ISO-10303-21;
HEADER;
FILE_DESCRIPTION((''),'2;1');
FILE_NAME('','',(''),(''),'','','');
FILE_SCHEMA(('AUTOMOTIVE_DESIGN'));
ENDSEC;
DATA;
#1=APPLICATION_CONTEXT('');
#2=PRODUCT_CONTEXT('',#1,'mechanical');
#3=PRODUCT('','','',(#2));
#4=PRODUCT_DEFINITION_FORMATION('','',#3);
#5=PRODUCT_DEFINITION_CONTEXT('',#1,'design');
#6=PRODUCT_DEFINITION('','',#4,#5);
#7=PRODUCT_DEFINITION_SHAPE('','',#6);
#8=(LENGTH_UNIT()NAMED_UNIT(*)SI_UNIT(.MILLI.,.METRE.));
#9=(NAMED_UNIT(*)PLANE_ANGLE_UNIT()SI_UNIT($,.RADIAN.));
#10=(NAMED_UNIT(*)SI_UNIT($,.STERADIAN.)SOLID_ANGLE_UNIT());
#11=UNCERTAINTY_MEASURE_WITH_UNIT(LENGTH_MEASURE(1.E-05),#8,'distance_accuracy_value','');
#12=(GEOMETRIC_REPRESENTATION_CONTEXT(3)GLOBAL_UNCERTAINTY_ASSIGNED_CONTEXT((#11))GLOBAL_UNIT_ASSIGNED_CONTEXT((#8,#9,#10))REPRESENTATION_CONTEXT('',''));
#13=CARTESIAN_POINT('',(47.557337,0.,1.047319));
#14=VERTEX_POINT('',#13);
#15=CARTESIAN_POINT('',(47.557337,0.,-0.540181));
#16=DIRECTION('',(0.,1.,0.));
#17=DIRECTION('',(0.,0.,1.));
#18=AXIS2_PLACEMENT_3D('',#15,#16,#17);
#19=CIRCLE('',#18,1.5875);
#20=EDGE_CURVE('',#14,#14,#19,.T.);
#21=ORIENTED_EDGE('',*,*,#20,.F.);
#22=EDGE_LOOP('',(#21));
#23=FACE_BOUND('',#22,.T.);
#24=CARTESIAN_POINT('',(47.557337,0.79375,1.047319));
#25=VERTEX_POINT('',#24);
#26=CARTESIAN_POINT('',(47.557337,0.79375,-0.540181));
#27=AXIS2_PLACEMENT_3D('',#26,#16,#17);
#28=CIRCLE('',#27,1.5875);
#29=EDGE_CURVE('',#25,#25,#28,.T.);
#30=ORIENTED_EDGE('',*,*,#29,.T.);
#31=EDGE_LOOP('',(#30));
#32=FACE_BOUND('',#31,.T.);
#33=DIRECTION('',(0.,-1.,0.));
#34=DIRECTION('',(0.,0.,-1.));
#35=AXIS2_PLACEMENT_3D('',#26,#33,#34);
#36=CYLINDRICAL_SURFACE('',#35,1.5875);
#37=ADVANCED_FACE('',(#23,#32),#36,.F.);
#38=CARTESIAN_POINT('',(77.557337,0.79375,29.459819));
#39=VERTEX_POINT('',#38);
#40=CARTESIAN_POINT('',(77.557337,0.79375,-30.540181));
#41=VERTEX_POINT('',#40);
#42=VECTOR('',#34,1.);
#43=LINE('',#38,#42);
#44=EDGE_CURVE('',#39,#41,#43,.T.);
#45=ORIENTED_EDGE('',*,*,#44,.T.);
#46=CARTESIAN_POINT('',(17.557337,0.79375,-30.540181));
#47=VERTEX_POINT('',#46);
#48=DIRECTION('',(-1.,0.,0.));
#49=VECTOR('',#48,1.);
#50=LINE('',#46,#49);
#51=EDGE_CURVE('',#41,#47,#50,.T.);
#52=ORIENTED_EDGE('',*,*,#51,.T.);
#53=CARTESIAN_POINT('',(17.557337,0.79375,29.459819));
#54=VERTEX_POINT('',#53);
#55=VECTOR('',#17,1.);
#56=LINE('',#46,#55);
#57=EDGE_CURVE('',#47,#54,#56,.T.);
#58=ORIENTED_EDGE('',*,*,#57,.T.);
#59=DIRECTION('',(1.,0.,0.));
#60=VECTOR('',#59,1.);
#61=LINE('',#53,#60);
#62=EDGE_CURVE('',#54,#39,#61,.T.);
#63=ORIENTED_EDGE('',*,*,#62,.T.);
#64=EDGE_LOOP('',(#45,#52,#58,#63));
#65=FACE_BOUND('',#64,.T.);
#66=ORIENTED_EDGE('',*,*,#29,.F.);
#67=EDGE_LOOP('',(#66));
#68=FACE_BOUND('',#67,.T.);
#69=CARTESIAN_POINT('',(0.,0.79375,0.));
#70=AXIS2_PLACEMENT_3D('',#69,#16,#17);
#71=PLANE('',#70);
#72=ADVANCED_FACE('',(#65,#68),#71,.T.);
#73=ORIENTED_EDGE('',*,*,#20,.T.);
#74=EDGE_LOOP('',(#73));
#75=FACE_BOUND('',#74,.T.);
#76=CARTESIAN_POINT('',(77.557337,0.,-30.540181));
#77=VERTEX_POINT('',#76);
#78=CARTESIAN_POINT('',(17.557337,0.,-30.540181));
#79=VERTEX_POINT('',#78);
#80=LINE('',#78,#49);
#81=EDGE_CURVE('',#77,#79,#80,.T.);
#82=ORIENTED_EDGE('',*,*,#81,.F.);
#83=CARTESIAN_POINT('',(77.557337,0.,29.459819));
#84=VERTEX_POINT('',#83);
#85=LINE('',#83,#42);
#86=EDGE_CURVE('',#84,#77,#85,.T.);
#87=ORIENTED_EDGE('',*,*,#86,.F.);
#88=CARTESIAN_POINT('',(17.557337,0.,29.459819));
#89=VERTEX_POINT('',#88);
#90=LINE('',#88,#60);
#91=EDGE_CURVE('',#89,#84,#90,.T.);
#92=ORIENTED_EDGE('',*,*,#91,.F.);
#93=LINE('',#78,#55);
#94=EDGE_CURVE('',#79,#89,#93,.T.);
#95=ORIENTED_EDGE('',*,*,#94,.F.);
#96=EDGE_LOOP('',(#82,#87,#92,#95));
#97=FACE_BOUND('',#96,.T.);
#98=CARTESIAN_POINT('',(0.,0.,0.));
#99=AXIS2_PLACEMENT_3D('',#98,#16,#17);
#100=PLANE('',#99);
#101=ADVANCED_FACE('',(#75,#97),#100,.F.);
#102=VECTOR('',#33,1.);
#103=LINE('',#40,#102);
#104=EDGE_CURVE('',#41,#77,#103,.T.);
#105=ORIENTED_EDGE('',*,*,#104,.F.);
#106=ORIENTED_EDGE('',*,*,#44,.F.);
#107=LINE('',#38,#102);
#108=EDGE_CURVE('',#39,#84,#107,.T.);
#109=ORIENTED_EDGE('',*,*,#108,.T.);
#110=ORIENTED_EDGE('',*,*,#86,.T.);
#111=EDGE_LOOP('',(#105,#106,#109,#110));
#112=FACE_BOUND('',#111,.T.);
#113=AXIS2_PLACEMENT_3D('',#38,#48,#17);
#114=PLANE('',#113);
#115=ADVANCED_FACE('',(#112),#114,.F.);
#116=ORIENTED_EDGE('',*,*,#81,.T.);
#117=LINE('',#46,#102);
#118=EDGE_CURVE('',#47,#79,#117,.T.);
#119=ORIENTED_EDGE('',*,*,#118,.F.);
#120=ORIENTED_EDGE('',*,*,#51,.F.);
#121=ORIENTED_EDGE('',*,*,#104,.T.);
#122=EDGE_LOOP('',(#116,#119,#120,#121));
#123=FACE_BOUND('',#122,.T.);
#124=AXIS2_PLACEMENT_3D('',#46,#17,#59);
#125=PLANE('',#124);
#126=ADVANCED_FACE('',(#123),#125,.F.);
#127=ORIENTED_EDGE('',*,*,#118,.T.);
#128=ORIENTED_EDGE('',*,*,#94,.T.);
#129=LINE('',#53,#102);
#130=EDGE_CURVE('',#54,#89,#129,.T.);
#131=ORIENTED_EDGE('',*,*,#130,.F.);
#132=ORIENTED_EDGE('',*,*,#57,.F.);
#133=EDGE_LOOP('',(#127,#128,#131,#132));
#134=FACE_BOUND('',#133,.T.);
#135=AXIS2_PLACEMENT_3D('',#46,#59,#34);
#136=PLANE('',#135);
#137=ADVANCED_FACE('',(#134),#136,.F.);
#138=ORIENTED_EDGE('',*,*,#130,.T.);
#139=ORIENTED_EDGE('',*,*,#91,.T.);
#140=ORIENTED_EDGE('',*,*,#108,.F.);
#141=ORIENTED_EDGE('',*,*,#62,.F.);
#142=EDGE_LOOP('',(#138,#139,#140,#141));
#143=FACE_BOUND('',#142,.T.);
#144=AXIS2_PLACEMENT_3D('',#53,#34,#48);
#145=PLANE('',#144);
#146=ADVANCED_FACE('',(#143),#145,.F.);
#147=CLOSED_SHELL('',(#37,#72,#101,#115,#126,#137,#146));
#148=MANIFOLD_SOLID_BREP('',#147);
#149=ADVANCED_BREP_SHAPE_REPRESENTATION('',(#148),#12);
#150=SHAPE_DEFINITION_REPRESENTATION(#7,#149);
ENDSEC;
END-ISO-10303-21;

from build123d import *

# Parameters (mm, degrees)
SKETCH1_W           = 60
SKETCH1_H           = 60
SKETCH1_R           = 1.5875
BOSS_EXTRUDE1_DEPTH = 0.79375


with BuildPart() as part:
    # Sketch1 → Boss-Extrude1 (new body)
    with BuildSketch(Plane(origin=(0, 0, 0), x_dir=(1, 0, 0), z_dir=(0, 1, 0))):
        with Locations((47.557337307, 0.540181073)):
            Rectangle(SKETCH1_W, SKETCH1_H)
        with Locations((47.557337307, 0.540181073)):
            Circle(SKETCH1_R, mode=Mode.SUBTRACT)
    extrude(amount=BOSS_EXTRUDE1_DEPTH)


solid = part.part
